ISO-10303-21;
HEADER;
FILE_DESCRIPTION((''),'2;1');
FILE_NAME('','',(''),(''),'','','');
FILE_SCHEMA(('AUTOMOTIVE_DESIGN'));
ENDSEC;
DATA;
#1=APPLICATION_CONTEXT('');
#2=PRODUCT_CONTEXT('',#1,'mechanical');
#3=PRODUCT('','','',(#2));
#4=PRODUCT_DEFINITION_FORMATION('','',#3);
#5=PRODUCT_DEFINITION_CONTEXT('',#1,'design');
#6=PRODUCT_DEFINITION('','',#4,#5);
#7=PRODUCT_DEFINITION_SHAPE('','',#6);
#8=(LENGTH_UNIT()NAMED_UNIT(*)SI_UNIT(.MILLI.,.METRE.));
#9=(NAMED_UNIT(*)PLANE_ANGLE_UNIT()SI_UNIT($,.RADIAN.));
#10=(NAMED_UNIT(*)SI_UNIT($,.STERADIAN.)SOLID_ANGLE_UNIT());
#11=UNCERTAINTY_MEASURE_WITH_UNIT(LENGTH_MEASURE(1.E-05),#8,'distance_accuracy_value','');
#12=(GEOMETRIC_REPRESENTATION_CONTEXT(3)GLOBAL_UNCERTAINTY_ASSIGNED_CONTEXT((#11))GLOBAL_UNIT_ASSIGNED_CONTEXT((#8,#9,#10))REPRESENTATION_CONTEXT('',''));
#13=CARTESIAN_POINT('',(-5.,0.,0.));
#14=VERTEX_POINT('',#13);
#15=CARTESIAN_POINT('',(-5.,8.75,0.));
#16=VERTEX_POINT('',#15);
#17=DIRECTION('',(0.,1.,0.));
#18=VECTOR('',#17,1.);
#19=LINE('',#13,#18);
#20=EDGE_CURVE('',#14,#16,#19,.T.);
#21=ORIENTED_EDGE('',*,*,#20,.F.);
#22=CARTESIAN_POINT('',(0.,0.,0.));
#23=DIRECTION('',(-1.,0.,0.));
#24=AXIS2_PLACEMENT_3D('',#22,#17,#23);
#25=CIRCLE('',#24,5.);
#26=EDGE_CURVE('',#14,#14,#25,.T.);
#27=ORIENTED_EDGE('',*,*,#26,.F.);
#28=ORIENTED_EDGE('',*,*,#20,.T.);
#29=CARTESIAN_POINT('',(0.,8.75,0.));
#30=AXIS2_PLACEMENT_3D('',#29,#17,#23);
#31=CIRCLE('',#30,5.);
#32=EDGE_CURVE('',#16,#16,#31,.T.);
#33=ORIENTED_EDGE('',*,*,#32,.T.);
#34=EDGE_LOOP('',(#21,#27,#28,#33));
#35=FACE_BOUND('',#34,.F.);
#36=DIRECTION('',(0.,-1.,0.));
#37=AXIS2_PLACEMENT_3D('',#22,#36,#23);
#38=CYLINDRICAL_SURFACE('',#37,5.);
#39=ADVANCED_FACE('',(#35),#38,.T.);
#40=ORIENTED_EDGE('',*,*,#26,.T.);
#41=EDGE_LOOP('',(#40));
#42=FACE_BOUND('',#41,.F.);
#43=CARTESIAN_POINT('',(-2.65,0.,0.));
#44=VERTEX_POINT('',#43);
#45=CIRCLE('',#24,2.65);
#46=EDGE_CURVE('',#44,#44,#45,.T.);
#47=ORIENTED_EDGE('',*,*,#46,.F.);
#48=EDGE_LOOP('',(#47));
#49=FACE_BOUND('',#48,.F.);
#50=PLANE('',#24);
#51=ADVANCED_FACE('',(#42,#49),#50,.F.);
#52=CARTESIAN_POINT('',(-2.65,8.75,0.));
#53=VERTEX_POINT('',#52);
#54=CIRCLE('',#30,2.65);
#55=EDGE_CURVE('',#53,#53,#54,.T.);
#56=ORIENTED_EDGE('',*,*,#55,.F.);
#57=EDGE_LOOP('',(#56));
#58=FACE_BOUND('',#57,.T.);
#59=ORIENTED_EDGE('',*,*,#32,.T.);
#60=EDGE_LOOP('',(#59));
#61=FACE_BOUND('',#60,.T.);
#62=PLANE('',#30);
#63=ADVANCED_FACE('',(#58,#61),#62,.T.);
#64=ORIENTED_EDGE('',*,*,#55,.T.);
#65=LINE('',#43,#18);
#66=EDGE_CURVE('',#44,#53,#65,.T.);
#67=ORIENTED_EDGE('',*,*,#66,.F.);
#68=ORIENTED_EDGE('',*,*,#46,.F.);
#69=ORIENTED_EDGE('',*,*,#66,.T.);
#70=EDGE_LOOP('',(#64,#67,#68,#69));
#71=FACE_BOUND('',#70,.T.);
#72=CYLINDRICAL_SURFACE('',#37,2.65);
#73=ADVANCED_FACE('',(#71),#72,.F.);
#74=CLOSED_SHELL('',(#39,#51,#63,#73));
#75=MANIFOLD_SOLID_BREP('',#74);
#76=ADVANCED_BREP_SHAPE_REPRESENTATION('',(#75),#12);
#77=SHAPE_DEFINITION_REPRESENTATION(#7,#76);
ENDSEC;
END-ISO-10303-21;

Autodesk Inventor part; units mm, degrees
ref_plane "YZ Plane" through (0, 0, 0) normal (1, 0, 0) x (0, 1, 0)
ref_plane "XZ Plane" through (0, 0, 0) normal (0, 1, 0) x (-1, 0, 0)
ref_plane "XY Plane" through (0, 0, 0) normal (0, 0, 1) x (1, 0, 0)
sketch "Sketch1" plane through (0, 0, 0) normal (0, 1, 0) x (-1, 0, 0)
  circle A0 centre (0, 0) radius 2.65
  circle A1 centre (0, 0) radius 5
  dimension "d0" = 5.3
  dimension "d1" = 10
extrude "Extrusion1" add sketch "Sketch1" along normal blind 8.75
properties part number "axis_left"
